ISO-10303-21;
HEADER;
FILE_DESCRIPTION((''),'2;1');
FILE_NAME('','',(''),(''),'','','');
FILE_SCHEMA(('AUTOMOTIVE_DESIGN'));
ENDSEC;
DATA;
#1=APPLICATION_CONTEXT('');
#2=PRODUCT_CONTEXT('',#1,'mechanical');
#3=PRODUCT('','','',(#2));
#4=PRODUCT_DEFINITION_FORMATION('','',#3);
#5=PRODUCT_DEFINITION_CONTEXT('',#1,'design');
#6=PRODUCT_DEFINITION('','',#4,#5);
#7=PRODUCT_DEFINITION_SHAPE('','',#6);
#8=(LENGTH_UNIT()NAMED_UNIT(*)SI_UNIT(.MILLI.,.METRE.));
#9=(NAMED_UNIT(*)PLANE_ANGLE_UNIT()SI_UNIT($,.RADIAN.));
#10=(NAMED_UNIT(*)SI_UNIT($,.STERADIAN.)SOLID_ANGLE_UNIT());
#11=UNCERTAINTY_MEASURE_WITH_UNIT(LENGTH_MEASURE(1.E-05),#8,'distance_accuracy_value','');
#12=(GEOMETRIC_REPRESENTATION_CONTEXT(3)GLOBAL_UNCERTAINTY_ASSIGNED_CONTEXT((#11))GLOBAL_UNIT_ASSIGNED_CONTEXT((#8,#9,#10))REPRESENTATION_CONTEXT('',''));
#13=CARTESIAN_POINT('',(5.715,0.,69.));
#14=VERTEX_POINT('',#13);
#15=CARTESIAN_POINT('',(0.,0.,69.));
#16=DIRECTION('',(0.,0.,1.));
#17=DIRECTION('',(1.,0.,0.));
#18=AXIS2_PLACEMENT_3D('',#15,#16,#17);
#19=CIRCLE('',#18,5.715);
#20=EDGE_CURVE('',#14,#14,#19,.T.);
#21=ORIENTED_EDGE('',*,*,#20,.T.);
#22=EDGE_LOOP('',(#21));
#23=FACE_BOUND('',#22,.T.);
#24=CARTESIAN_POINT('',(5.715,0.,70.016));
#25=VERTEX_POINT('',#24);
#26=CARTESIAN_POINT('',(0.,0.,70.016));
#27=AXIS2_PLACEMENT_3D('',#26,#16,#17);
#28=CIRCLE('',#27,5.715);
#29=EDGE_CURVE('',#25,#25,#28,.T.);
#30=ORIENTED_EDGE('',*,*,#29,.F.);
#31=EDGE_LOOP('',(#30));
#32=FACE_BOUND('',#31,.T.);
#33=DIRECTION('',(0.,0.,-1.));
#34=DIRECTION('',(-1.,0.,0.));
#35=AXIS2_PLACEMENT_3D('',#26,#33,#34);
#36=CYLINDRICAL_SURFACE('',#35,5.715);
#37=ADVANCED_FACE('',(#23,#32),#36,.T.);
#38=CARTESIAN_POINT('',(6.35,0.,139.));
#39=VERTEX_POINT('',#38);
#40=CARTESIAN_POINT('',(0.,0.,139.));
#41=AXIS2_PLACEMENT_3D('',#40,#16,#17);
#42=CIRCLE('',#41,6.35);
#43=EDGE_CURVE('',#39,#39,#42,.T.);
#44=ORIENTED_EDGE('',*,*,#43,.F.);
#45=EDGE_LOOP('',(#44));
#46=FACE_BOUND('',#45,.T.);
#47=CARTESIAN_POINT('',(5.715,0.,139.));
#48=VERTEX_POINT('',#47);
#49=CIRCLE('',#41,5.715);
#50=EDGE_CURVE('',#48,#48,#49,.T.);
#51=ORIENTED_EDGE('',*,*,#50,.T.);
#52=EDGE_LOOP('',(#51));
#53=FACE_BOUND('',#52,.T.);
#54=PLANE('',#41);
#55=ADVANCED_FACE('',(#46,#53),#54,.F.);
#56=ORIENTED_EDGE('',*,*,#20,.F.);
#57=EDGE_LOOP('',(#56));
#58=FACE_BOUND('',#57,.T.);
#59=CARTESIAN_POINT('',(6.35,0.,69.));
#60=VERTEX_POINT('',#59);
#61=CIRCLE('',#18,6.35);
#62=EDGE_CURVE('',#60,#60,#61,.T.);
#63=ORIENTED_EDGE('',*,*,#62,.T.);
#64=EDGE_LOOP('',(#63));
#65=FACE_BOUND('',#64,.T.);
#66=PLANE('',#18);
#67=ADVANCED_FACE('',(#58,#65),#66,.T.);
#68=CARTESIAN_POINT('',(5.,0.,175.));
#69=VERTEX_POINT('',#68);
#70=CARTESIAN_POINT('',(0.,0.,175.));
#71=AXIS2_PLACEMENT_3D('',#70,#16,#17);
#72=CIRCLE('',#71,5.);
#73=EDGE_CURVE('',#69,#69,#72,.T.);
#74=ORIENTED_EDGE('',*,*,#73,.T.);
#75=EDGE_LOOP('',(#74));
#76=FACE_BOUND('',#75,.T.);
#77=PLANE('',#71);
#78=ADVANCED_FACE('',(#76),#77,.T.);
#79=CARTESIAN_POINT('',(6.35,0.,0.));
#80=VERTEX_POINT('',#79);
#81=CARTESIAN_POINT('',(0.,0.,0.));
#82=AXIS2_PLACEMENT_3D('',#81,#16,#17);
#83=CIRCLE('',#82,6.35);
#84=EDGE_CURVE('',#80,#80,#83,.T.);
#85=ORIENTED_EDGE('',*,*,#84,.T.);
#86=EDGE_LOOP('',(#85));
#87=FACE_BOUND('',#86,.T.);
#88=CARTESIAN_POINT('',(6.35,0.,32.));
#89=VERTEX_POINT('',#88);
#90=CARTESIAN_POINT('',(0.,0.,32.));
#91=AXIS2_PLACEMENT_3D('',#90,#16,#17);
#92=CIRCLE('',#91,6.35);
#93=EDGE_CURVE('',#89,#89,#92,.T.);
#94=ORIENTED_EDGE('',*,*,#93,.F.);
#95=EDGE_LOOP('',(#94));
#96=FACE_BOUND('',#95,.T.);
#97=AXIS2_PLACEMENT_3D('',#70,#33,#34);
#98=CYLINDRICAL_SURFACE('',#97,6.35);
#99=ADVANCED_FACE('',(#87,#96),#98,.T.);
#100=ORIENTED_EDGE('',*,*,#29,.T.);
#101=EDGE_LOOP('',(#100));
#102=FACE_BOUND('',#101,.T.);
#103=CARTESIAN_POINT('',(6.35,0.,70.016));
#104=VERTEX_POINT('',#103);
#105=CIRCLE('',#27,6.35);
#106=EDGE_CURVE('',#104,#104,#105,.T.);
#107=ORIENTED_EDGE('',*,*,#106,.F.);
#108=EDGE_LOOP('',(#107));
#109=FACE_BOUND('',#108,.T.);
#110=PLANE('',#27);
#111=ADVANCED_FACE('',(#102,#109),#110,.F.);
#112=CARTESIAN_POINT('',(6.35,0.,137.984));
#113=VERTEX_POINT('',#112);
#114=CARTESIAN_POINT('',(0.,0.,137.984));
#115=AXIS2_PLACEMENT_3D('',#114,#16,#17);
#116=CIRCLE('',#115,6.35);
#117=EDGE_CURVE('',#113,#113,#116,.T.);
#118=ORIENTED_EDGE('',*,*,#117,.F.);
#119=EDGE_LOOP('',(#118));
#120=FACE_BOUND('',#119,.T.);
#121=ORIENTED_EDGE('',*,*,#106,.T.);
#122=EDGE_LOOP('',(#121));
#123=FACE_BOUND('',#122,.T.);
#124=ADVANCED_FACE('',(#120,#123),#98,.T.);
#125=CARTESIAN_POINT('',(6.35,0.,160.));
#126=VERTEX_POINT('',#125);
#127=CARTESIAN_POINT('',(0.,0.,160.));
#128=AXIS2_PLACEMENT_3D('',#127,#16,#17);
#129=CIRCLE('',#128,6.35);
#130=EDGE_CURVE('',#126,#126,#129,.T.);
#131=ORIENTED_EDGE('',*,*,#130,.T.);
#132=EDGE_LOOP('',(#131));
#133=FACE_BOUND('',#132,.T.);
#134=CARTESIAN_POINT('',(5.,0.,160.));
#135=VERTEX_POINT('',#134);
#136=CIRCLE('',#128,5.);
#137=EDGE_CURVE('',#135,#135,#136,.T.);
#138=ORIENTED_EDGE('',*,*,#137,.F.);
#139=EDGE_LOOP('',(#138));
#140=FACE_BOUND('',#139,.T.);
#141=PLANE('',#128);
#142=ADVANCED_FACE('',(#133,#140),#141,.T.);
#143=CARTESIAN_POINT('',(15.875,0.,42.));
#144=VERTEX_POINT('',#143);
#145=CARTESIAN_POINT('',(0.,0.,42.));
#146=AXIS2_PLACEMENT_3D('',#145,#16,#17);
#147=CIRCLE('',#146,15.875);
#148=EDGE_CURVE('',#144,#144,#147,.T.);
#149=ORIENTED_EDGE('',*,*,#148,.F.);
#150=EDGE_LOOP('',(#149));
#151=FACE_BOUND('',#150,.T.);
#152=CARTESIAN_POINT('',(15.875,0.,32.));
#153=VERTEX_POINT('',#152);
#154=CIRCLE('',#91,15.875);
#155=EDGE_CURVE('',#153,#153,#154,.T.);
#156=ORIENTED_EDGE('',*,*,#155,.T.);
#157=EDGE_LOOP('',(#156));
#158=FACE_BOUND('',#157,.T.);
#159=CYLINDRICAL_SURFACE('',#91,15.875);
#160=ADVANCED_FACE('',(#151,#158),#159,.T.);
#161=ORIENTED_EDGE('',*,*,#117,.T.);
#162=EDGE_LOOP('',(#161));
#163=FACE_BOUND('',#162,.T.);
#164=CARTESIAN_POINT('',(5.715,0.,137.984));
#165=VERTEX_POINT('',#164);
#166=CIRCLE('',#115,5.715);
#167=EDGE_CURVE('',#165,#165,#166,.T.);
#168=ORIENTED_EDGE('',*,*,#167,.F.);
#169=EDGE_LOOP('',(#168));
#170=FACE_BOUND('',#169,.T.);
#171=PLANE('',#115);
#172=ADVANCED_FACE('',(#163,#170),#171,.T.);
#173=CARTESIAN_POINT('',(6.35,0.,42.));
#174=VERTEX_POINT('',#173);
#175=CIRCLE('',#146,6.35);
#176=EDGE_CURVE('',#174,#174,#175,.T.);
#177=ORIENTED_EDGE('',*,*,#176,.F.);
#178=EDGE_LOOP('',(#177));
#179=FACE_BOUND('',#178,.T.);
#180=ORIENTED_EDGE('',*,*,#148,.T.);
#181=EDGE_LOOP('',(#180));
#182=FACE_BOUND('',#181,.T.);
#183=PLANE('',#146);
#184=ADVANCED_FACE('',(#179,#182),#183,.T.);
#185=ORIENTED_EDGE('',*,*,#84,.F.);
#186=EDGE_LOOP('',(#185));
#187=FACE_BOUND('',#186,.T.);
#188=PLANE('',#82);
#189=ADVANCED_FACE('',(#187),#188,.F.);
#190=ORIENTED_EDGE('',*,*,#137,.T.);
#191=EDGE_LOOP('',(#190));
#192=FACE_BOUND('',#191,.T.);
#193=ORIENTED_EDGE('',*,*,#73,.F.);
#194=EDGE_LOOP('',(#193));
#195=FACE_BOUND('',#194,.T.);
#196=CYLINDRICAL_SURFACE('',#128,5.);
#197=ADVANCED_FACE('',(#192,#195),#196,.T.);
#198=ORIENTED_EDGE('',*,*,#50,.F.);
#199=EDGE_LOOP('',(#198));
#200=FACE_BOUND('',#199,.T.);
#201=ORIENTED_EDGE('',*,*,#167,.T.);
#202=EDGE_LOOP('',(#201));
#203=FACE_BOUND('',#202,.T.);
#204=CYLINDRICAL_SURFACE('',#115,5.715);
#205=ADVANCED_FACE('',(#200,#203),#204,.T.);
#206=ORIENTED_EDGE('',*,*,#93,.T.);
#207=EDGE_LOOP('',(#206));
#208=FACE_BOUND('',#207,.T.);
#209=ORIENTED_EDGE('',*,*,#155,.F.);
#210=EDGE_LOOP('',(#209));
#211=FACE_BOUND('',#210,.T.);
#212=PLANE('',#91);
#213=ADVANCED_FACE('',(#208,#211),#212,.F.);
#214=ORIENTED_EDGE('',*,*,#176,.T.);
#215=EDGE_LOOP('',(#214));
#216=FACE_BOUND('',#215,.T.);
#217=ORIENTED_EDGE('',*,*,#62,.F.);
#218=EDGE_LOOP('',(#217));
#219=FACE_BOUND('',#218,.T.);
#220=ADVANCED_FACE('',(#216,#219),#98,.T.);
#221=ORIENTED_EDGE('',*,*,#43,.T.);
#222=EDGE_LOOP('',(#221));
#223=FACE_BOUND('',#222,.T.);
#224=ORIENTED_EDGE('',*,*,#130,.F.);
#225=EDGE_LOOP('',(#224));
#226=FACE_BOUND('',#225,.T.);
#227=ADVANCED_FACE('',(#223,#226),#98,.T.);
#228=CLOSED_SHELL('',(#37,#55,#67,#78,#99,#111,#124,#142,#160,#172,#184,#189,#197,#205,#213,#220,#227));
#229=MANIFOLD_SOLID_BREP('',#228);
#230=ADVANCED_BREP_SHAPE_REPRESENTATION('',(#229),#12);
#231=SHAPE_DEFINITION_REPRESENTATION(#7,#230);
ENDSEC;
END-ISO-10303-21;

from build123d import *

# Parameters (mm, degrees)
SKETCH1_R           = 6.35
BOSS_EXTRUDE1_DEPTH = 175
CUT_EXTRUDE1_START  = 175
SKETCH2_R           = 8.212767486
SKETCH2_R_2         = 5
CUT_EXTRUDE1_DEPTH  = 15
BOSS_EXTRUDE2_START = 42
SKETCH3_R           = 15.875
BOSS_EXTRUDE2_DEPTH = 10
CUT_EXTRUDE2_START  = 69
SKETCH4_R           = 12.7
SKETCH4_R_2         = 5.715
CUT_EXTRUDE2_DEPTH  = 1.016
CUT_EXTRUDE3_START  = 137.984
SKETCH5_R           = 12.7
SKETCH5_R_2         = 5.715
CUT_EXTRUDE3_DEPTH  = 1.016


with BuildPart() as part:
    # Sketch1 → Boss-Extrude1 (new body)
    with BuildSketch(Plane.XY):
        Circle(SKETCH1_R)
    extrude(amount=BOSS_EXTRUDE1_DEPTH)

    # Sketch2 → Cut-Extrude1 (cut)
    with BuildSketch(Plane.XY.offset(CUT_EXTRUDE1_START)):
        Circle(SKETCH2_R)
        Circle(SKETCH2_R_2, mode=Mode.SUBTRACT)
    extrude(amount=-CUT_EXTRUDE1_DEPTH, mode=Mode.SUBTRACT)

    # Sketch3 → Boss-Extrude2 (add)
    with BuildSketch(Plane.XY.offset(BOSS_EXTRUDE2_START)):
        Circle(SKETCH3_R)
    extrude(amount=-BOSS_EXTRUDE2_DEPTH)

    # Sketch4 → Cut-Extrude2 (cut)
    with BuildSketch(Plane.XY.offset(CUT_EXTRUDE2_START)):
        Circle(SKETCH4_R)
        Circle(SKETCH4_R_2, mode=Mode.SUBTRACT)
    extrude(amount=CUT_EXTRUDE2_DEPTH, mode=Mode.SUBTRACT)

    # Sketch5 → Cut-Extrude3 (cut)
    with BuildSketch(Plane.XY.offset(CUT_EXTRUDE3_START)):
        Circle(SKETCH5_R)
        Circle(SKETCH5_R_2, mode=Mode.SUBTRACT)
    extrude(amount=CUT_EXTRUDE3_DEPTH, mode=Mode.SUBTRACT)


solid = part.part
